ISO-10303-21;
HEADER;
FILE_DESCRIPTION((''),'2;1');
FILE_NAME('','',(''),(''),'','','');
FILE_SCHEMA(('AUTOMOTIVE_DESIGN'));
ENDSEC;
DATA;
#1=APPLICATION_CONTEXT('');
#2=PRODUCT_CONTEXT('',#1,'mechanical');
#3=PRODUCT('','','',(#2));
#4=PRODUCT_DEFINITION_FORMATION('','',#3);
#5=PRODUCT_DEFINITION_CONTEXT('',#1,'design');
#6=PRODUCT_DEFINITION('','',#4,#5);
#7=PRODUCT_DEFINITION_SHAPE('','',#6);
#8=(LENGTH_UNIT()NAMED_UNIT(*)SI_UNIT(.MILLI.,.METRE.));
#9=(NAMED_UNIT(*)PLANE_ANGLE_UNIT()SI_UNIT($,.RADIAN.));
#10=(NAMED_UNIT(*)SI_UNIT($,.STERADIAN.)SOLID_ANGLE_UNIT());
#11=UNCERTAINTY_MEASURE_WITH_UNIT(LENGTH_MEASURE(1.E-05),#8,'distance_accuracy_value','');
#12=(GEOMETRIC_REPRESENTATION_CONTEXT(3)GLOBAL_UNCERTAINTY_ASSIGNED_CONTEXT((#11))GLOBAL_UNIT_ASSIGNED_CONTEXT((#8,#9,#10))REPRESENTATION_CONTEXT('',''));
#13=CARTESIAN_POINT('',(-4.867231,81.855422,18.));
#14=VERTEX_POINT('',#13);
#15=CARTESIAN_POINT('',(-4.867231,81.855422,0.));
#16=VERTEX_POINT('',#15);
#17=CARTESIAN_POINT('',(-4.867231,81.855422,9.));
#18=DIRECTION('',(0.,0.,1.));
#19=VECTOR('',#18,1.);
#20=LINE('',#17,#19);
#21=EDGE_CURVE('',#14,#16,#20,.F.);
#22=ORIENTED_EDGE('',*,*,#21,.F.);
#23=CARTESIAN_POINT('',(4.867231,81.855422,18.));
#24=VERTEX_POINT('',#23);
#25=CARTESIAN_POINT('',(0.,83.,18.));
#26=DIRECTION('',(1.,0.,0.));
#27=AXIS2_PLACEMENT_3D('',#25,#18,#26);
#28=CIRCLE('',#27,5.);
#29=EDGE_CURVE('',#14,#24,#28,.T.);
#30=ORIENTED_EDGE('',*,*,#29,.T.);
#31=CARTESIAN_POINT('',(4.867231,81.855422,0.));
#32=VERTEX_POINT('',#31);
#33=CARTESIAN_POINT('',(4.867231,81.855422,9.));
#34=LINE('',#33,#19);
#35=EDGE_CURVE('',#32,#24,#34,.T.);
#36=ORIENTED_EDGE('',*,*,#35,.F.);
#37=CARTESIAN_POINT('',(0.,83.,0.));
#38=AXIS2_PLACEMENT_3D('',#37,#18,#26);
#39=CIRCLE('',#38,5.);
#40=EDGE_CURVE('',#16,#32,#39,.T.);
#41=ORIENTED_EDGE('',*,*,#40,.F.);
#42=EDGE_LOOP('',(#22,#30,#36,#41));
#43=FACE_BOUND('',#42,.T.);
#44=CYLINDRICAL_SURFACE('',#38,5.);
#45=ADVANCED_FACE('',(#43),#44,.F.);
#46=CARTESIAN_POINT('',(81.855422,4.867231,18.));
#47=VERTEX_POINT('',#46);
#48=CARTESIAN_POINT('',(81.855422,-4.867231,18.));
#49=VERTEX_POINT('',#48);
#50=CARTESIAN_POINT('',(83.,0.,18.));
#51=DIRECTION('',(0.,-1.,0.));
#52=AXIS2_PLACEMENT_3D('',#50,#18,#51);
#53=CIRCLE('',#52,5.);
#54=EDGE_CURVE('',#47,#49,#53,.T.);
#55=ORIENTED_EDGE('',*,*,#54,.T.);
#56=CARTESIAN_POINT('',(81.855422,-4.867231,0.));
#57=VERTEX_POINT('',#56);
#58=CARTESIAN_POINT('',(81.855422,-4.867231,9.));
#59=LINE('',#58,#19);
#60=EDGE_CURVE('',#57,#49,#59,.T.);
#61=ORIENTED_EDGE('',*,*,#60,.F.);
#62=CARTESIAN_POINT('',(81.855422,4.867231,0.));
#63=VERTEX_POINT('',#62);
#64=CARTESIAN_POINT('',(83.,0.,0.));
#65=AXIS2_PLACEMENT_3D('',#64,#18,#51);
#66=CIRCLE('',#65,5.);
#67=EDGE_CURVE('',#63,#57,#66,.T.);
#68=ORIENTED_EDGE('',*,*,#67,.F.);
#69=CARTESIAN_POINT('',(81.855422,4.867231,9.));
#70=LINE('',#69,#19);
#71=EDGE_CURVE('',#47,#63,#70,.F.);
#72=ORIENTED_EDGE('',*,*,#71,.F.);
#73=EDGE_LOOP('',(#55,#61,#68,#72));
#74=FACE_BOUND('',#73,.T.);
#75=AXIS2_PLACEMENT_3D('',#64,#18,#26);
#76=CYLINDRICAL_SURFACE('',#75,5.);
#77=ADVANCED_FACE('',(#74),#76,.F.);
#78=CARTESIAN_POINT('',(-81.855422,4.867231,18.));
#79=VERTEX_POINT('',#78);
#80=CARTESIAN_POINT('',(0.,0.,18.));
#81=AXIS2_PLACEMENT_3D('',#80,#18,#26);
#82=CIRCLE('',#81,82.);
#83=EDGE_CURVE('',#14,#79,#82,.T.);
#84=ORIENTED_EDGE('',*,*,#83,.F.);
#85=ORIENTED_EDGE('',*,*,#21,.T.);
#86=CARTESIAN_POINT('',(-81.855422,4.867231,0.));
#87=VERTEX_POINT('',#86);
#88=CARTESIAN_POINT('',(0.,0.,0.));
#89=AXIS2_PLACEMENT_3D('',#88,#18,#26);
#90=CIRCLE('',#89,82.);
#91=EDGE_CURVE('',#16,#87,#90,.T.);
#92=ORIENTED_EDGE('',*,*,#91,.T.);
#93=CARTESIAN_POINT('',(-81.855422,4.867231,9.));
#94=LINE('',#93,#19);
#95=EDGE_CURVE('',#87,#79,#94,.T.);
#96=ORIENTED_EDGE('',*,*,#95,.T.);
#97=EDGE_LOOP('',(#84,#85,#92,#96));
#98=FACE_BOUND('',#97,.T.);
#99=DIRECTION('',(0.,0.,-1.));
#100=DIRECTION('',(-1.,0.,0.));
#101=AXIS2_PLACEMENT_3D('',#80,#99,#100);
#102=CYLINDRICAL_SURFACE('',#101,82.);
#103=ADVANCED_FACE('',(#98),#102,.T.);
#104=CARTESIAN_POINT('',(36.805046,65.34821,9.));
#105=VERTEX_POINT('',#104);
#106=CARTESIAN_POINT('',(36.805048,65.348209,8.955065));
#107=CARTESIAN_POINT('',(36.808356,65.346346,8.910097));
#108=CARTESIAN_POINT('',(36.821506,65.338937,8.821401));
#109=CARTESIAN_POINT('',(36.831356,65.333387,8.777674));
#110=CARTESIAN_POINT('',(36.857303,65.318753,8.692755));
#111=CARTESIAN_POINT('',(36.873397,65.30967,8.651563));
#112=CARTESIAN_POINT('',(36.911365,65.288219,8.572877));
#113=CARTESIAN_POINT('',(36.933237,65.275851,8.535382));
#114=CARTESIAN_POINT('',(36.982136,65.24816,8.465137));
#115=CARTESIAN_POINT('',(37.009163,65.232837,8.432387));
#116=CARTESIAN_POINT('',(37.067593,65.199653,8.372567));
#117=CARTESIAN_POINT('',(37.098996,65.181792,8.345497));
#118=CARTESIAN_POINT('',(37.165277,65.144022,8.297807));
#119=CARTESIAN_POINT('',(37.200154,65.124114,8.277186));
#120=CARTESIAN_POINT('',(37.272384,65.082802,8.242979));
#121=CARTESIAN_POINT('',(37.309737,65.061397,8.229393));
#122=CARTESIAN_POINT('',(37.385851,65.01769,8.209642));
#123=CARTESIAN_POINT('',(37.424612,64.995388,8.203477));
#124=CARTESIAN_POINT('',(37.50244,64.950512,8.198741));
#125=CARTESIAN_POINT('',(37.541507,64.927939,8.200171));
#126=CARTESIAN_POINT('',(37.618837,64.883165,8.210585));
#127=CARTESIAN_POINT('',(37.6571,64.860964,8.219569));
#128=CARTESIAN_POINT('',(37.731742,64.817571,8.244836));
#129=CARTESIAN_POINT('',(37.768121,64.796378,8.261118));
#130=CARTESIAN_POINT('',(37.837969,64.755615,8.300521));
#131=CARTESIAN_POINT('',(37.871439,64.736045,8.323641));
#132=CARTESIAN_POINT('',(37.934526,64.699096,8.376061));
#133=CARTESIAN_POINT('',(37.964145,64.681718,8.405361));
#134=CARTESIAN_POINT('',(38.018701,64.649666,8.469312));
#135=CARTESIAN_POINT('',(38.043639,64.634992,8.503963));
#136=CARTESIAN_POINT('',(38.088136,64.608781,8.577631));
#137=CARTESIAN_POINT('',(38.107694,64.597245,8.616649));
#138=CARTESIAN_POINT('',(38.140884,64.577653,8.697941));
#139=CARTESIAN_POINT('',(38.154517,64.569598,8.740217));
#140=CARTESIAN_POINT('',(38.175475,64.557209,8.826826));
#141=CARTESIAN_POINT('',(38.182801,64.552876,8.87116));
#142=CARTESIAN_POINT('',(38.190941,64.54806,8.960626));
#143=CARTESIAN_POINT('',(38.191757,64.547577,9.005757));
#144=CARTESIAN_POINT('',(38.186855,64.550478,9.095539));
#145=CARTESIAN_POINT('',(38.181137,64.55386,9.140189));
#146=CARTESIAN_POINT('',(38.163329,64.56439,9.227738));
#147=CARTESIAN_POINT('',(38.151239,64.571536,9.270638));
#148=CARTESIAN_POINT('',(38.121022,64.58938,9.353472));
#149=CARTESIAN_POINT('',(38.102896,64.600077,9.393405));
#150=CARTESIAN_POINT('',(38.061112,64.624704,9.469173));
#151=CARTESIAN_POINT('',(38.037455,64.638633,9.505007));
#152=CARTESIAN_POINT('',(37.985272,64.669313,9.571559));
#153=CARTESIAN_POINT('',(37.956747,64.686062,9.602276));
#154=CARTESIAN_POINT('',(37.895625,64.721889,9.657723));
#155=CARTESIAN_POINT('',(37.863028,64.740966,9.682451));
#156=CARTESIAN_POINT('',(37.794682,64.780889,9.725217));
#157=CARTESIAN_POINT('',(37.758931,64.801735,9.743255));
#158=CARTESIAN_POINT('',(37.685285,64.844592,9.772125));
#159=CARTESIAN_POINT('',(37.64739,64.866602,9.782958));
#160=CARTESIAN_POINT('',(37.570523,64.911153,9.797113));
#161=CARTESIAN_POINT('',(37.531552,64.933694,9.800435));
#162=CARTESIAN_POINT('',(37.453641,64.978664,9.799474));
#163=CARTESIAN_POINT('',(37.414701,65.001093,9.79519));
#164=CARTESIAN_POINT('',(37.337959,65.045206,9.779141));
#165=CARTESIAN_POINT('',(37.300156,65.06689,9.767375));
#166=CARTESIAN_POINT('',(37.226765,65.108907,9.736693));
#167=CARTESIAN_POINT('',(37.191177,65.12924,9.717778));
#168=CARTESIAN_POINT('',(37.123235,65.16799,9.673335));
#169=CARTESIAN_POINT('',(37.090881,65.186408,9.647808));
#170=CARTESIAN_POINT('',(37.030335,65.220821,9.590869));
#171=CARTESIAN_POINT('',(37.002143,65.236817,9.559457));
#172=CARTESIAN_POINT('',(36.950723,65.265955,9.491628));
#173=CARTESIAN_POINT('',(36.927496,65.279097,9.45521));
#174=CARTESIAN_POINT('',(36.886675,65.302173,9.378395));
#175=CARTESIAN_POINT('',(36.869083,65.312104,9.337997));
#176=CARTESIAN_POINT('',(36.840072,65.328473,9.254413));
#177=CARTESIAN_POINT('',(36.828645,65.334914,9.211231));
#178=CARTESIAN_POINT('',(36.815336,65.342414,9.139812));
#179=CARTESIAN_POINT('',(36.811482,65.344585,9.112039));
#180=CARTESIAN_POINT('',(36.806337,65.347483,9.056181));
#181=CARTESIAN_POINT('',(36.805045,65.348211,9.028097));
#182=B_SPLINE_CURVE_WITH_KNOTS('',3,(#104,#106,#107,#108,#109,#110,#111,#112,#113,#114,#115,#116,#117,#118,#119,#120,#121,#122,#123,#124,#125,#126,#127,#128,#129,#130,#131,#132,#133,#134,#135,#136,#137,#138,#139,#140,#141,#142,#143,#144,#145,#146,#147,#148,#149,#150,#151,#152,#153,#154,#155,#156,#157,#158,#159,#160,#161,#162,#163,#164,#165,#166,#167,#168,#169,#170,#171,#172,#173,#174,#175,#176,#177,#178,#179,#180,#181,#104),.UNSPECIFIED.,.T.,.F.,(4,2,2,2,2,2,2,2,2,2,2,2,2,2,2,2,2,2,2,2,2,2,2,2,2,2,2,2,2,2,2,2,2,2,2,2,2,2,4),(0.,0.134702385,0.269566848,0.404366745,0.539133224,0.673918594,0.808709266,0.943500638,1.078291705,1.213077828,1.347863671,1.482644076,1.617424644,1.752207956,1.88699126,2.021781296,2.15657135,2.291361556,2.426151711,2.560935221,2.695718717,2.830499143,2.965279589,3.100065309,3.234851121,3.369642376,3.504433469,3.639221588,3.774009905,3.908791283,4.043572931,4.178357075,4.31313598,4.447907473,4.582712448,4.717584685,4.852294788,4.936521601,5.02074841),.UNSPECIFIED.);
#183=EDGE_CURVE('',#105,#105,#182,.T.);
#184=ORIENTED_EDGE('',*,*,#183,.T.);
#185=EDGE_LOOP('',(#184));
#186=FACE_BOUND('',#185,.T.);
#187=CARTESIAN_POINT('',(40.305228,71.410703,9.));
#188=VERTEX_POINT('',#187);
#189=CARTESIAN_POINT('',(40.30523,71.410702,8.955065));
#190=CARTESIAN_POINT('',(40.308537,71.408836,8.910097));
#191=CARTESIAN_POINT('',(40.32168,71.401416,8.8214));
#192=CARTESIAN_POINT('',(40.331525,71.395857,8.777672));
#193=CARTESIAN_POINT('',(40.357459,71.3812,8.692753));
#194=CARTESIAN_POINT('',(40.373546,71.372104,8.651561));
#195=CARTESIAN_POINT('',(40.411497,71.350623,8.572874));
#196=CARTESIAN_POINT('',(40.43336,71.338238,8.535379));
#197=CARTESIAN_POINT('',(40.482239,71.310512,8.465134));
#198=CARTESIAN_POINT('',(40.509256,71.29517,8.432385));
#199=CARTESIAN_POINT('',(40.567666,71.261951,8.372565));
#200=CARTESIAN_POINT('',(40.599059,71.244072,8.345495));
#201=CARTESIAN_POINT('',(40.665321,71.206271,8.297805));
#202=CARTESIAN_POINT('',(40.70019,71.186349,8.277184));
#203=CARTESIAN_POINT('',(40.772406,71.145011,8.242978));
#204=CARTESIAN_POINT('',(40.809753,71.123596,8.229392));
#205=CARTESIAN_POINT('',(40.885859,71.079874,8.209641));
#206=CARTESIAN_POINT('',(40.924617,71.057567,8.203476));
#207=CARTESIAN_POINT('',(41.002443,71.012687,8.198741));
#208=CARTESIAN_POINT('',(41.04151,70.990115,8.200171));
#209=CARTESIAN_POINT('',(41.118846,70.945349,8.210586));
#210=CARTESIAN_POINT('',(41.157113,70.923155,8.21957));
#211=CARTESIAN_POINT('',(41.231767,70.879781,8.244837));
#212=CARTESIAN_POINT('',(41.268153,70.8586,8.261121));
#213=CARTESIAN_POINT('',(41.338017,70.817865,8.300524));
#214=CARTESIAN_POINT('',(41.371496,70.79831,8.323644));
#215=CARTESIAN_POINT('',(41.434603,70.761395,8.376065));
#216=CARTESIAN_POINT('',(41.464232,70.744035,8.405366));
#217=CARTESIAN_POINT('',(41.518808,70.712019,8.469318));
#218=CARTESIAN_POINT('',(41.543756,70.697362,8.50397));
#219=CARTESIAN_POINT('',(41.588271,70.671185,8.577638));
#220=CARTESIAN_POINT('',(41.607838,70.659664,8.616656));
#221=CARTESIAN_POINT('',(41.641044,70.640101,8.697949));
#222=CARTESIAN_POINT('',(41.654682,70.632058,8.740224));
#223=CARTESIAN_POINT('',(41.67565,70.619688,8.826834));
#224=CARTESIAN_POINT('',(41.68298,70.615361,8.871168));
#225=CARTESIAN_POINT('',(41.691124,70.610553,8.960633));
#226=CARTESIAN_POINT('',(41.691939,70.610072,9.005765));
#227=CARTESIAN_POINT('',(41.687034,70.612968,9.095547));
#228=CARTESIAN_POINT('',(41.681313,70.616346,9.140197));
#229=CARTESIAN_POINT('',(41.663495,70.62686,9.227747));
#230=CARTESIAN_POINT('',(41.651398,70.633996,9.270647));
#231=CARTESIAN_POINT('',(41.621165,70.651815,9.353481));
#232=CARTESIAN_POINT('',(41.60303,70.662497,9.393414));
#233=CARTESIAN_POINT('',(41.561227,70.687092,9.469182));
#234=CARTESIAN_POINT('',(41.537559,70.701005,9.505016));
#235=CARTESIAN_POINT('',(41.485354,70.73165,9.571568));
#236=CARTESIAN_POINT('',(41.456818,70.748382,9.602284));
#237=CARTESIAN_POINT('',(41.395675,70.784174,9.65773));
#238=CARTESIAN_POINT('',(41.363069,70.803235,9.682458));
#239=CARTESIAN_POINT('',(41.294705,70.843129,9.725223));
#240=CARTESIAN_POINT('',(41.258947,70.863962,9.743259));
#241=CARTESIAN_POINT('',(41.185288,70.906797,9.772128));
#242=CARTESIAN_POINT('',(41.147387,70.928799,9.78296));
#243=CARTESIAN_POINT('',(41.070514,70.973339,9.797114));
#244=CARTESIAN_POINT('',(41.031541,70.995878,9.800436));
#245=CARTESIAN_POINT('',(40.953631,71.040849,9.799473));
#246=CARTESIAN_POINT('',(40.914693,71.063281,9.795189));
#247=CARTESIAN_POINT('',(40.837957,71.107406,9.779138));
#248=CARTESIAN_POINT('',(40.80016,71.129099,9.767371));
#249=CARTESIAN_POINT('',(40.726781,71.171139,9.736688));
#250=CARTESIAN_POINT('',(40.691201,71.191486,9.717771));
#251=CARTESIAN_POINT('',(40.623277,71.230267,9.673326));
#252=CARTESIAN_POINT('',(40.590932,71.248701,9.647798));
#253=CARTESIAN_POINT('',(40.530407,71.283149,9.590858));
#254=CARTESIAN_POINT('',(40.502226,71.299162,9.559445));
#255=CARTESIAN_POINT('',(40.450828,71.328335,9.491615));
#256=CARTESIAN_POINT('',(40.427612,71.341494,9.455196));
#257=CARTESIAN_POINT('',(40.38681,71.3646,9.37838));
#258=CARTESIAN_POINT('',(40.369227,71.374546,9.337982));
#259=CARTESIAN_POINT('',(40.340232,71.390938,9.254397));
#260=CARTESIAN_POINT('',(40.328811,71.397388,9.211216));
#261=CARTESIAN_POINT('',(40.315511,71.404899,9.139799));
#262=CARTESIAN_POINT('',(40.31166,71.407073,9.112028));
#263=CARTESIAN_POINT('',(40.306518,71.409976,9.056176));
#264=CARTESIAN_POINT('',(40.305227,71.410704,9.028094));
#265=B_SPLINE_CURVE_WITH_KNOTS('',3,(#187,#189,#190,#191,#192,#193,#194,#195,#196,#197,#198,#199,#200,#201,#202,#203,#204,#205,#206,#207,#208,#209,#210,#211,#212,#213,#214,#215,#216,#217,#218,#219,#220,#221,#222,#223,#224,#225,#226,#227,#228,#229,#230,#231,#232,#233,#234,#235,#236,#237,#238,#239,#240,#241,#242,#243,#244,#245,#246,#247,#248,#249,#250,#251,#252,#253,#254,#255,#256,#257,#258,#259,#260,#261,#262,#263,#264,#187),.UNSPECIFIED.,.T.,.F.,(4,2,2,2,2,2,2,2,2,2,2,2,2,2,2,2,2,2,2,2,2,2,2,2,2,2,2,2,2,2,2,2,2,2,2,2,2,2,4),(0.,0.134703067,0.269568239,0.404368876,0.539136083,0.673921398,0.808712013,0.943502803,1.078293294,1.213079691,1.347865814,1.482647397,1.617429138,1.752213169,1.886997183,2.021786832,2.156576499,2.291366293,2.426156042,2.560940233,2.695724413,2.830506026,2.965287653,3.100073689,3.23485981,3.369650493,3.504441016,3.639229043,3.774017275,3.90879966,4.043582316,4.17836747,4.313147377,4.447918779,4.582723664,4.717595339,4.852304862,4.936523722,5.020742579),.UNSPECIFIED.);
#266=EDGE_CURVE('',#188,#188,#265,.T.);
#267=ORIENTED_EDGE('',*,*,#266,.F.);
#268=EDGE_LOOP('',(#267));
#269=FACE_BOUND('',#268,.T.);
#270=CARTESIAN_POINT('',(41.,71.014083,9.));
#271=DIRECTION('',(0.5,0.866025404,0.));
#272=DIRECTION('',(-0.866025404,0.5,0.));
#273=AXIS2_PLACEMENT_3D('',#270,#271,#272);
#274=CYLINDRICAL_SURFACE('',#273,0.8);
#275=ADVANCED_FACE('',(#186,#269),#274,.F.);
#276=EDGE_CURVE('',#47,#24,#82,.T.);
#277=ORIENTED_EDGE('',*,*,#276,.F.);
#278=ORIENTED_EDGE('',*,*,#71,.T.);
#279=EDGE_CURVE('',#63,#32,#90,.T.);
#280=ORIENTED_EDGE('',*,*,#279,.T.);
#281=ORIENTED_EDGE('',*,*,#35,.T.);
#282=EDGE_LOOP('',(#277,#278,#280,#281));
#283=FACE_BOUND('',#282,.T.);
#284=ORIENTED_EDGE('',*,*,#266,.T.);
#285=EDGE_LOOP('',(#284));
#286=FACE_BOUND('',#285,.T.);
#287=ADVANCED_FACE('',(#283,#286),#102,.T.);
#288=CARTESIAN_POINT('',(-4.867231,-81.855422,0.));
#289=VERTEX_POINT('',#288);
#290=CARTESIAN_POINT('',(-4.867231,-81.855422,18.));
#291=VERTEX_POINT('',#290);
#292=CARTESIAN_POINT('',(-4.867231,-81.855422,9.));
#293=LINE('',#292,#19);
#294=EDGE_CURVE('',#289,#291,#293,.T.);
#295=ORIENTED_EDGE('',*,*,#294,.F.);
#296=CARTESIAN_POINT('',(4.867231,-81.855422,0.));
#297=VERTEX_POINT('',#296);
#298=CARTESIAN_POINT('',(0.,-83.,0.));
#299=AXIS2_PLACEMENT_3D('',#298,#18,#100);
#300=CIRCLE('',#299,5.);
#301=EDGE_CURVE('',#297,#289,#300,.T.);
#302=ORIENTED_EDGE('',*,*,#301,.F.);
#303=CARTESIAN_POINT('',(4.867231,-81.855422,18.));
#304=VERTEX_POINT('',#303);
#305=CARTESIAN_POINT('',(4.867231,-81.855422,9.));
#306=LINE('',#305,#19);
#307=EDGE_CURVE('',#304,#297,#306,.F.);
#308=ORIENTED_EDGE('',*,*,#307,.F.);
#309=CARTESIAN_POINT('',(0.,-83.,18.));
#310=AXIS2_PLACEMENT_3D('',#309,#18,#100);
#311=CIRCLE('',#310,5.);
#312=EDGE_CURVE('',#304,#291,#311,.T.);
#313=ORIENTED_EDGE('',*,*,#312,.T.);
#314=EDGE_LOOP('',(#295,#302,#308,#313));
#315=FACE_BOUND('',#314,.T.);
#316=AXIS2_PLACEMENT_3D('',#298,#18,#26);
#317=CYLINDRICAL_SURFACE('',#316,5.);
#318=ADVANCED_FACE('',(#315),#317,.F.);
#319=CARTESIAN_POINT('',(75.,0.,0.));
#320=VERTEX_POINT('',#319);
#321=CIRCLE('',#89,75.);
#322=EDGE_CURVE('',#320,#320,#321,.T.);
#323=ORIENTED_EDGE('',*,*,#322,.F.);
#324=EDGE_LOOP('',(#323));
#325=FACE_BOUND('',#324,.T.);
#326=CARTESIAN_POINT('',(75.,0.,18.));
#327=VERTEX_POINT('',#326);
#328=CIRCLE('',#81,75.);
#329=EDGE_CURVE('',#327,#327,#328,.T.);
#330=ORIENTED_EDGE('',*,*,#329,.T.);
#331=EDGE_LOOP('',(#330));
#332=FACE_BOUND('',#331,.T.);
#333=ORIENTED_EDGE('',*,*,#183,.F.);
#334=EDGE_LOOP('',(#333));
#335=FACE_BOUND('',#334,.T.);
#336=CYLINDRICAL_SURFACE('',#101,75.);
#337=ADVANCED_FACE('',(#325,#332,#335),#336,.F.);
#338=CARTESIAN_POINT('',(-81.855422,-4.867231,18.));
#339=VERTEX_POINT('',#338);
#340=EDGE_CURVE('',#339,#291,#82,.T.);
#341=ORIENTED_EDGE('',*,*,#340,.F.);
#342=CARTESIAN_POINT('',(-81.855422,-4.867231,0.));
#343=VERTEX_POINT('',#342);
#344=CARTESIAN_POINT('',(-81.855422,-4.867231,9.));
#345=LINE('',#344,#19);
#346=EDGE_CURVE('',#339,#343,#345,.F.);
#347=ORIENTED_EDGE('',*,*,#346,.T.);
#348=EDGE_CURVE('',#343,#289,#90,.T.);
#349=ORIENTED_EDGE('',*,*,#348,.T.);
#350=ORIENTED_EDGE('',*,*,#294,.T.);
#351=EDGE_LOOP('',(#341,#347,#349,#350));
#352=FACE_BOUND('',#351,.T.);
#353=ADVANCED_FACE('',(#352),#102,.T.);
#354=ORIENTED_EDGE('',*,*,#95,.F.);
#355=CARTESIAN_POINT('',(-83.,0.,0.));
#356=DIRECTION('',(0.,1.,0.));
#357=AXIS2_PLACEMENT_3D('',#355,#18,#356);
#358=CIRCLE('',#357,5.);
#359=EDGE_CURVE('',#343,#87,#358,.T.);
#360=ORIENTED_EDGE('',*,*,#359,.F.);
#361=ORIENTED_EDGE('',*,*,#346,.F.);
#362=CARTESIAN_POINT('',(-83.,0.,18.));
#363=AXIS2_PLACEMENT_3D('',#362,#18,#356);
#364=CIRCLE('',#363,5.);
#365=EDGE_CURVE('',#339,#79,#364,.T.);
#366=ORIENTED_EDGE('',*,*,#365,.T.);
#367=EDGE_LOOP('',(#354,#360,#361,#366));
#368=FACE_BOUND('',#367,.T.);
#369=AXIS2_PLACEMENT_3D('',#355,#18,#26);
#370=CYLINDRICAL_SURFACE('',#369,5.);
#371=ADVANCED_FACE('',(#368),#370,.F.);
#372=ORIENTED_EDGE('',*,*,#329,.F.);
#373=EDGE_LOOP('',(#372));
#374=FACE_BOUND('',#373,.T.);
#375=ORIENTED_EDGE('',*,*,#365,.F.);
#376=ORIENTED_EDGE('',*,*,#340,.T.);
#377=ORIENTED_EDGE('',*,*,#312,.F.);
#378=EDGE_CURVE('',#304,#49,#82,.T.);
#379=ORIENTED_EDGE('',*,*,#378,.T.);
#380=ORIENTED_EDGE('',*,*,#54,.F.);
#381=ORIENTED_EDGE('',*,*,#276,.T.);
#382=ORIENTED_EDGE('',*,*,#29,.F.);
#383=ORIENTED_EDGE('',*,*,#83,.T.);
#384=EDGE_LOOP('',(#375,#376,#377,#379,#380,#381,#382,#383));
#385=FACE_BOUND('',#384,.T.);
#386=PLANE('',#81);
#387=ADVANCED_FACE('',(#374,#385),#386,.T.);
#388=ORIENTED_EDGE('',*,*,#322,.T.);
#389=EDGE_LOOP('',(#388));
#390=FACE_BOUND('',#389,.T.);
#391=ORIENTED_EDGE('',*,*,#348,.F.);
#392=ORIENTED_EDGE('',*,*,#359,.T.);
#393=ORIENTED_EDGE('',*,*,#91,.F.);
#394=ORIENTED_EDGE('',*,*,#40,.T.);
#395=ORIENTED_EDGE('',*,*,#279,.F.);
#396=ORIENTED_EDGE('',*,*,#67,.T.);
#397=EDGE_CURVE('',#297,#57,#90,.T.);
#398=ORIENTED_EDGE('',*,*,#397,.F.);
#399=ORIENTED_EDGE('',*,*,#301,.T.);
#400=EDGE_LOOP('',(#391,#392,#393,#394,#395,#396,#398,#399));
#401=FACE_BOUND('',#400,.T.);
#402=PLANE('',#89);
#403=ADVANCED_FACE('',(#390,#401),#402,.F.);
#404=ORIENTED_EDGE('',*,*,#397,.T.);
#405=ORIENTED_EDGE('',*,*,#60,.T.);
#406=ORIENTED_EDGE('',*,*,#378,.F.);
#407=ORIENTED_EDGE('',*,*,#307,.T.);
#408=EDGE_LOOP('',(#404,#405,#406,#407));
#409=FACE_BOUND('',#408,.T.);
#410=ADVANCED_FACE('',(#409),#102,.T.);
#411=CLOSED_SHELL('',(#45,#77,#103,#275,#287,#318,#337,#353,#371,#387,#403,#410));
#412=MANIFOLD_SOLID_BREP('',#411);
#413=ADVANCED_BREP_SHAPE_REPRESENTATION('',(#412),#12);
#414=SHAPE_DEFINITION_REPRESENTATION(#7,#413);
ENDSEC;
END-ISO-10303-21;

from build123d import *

# Parameters (mm, degrees)
SKETCH1_R                 = 82
SKETCH1_R_2               = 75
BOSS_EXTRUDE1_DEPTH       = 18
SKETCH2_R                 = 5
CUT_EXTRUDE1_DEPTH        = 118.354164817
CIRPATTERN1_COUNT         = 4
M2X0_4_TAPPED_HOLE1_D     = 1.6
M2X0_4_TAPPED_HOLE1_DEPTH = 10
M2X0_4_TAPPED_HOLE1_TIP   = 0.480688495


with BuildPart() as part:
    # Sketch1 → Boss-Extrude1 (new body)
    with BuildSketch(Plane.XY):
        Circle(SKETCH1_R)
        Circle(SKETCH1_R_2, mode=Mode.SUBTRACT)
    extrude(amount=BOSS_EXTRUDE1_DEPTH)

    # Sketch2 → Cut-Extrude1 (cut, through all)
    with BuildSketch(Plane.XY.offset(18)):
        with Locations((0, 83)):
            Circle(SKETCH2_R)
    cut_extrude1 = extrude(amount=-CUT_EXTRUDE1_DEPTH, mode=Mode.SUBTRACT)

    # CirPattern1: Cut-Extrude1 ×4 about axis
    cirpattern1_axis = Axis((0, 0, 0), (0, 0, 1))
    for i in range(1, CIRPATTERN1_COUNT):
        add(cut_extrude1.rotate(cirpattern1_axis, i * 360 / CIRPATTERN1_COUNT), mode=Mode.SUBTRACT)

    # M2x0.4 Tapped Hole1
    with Locations(Plane(origin=(41, 71.01408311, 9), x_dir=(0.866025403784, -0.5, 0), z_dir=(0.5, 0.866025403784, 0))):
        with Locations((0, 0)):
            Hole(M2X0_4_TAPPED_HOLE1_D / 2, depth=M2X0_4_TAPPED_HOLE1_DEPTH)
            with Locations((0, 0, -(M2X0_4_TAPPED_HOLE1_DEPTH + M2X0_4_TAPPED_HOLE1_TIP / 2))):  # 118° drill point
                Cone(0, M2X0_4_TAPPED_HOLE1_D / 2, M2X0_4_TAPPED_HOLE1_TIP, mode=Mode.SUBTRACT)


solid = part.part
